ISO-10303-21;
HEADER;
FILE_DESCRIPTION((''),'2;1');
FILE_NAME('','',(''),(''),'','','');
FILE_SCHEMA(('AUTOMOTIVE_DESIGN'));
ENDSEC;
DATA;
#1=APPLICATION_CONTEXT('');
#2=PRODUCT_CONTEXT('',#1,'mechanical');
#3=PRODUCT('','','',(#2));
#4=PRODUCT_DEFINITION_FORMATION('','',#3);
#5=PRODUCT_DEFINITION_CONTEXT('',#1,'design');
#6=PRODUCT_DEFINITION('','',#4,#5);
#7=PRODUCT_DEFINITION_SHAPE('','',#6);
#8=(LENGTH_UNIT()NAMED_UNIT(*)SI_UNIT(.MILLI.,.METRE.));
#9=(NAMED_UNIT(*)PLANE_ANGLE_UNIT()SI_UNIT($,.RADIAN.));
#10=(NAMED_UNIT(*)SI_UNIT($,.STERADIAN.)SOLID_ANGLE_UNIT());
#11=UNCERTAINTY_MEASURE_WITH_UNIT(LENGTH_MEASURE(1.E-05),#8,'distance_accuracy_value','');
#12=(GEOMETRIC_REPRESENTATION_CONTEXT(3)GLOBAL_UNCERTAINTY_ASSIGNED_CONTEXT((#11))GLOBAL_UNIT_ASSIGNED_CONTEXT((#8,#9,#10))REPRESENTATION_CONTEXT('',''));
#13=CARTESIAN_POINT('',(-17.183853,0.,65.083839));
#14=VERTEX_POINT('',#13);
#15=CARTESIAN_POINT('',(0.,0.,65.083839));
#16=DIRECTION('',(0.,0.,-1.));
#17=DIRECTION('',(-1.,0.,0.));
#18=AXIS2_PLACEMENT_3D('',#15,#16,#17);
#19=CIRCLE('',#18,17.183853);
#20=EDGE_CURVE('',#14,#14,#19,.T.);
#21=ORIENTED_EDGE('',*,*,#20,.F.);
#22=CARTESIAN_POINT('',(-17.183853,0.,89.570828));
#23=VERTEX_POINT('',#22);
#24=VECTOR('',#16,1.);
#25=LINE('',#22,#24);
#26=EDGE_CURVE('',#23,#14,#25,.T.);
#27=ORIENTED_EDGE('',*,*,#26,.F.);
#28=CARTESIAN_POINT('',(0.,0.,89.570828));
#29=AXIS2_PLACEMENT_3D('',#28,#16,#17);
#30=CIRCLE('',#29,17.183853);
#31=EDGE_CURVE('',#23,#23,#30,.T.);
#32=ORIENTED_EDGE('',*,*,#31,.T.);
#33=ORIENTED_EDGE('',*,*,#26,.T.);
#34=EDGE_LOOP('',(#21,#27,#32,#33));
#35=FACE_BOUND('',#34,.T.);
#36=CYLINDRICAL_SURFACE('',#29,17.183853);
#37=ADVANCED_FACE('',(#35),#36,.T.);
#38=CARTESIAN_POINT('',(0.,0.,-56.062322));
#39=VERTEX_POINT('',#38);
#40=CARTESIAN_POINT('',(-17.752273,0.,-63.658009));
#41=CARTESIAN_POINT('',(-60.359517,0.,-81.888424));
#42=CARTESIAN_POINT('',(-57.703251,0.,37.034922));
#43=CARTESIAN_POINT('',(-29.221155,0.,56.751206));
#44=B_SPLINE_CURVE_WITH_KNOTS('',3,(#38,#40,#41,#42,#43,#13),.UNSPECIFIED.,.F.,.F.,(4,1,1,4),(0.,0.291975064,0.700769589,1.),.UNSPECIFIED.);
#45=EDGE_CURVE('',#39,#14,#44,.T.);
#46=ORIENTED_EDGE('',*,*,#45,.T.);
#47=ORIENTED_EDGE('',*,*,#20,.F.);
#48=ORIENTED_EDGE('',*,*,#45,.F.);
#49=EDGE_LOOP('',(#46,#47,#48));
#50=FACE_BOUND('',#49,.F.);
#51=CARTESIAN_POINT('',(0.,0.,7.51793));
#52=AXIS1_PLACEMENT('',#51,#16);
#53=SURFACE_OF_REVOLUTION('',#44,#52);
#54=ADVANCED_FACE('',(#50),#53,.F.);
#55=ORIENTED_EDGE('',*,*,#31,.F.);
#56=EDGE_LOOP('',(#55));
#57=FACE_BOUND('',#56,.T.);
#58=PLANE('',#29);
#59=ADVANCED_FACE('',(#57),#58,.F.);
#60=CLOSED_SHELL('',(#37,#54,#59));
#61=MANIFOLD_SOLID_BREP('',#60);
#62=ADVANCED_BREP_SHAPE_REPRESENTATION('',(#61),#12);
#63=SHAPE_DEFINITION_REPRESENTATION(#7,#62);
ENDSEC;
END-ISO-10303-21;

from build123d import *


with BuildPart() as f2:
    # F1 (on Front) → F2 (revolve)
    with BuildSketch(Plane.XZ):
        with BuildLine():
            add(Edge.make_bspline(
                [(0, -56.0623221099), (-17.7522728522, -63.6580093084), (-60.3595173298, -81.8884243168), (-57.7032510903, 37.0349219239), (-29.2211545736, 56.7512061522), (-17.1838533133, 65.0838389993)],
                knots=[0, 0, 0, 0, 0.2919750644, 0.7007695889, 1, 1, 1, 1], degree=3))
            Line((0, -56.0623221099), (0, 89.5708277822))
            Line((0, 89.5708277822), (-17.1838533133, 89.5708277822))
            Line((-17.1838533133, 89.5708277822), (-17.1838533133, 65.0838389993))
        make_face()
    revolve(axis=Axis((0, 0, 7.5179301202), (0, 0, -1)))


solid = f2.part
